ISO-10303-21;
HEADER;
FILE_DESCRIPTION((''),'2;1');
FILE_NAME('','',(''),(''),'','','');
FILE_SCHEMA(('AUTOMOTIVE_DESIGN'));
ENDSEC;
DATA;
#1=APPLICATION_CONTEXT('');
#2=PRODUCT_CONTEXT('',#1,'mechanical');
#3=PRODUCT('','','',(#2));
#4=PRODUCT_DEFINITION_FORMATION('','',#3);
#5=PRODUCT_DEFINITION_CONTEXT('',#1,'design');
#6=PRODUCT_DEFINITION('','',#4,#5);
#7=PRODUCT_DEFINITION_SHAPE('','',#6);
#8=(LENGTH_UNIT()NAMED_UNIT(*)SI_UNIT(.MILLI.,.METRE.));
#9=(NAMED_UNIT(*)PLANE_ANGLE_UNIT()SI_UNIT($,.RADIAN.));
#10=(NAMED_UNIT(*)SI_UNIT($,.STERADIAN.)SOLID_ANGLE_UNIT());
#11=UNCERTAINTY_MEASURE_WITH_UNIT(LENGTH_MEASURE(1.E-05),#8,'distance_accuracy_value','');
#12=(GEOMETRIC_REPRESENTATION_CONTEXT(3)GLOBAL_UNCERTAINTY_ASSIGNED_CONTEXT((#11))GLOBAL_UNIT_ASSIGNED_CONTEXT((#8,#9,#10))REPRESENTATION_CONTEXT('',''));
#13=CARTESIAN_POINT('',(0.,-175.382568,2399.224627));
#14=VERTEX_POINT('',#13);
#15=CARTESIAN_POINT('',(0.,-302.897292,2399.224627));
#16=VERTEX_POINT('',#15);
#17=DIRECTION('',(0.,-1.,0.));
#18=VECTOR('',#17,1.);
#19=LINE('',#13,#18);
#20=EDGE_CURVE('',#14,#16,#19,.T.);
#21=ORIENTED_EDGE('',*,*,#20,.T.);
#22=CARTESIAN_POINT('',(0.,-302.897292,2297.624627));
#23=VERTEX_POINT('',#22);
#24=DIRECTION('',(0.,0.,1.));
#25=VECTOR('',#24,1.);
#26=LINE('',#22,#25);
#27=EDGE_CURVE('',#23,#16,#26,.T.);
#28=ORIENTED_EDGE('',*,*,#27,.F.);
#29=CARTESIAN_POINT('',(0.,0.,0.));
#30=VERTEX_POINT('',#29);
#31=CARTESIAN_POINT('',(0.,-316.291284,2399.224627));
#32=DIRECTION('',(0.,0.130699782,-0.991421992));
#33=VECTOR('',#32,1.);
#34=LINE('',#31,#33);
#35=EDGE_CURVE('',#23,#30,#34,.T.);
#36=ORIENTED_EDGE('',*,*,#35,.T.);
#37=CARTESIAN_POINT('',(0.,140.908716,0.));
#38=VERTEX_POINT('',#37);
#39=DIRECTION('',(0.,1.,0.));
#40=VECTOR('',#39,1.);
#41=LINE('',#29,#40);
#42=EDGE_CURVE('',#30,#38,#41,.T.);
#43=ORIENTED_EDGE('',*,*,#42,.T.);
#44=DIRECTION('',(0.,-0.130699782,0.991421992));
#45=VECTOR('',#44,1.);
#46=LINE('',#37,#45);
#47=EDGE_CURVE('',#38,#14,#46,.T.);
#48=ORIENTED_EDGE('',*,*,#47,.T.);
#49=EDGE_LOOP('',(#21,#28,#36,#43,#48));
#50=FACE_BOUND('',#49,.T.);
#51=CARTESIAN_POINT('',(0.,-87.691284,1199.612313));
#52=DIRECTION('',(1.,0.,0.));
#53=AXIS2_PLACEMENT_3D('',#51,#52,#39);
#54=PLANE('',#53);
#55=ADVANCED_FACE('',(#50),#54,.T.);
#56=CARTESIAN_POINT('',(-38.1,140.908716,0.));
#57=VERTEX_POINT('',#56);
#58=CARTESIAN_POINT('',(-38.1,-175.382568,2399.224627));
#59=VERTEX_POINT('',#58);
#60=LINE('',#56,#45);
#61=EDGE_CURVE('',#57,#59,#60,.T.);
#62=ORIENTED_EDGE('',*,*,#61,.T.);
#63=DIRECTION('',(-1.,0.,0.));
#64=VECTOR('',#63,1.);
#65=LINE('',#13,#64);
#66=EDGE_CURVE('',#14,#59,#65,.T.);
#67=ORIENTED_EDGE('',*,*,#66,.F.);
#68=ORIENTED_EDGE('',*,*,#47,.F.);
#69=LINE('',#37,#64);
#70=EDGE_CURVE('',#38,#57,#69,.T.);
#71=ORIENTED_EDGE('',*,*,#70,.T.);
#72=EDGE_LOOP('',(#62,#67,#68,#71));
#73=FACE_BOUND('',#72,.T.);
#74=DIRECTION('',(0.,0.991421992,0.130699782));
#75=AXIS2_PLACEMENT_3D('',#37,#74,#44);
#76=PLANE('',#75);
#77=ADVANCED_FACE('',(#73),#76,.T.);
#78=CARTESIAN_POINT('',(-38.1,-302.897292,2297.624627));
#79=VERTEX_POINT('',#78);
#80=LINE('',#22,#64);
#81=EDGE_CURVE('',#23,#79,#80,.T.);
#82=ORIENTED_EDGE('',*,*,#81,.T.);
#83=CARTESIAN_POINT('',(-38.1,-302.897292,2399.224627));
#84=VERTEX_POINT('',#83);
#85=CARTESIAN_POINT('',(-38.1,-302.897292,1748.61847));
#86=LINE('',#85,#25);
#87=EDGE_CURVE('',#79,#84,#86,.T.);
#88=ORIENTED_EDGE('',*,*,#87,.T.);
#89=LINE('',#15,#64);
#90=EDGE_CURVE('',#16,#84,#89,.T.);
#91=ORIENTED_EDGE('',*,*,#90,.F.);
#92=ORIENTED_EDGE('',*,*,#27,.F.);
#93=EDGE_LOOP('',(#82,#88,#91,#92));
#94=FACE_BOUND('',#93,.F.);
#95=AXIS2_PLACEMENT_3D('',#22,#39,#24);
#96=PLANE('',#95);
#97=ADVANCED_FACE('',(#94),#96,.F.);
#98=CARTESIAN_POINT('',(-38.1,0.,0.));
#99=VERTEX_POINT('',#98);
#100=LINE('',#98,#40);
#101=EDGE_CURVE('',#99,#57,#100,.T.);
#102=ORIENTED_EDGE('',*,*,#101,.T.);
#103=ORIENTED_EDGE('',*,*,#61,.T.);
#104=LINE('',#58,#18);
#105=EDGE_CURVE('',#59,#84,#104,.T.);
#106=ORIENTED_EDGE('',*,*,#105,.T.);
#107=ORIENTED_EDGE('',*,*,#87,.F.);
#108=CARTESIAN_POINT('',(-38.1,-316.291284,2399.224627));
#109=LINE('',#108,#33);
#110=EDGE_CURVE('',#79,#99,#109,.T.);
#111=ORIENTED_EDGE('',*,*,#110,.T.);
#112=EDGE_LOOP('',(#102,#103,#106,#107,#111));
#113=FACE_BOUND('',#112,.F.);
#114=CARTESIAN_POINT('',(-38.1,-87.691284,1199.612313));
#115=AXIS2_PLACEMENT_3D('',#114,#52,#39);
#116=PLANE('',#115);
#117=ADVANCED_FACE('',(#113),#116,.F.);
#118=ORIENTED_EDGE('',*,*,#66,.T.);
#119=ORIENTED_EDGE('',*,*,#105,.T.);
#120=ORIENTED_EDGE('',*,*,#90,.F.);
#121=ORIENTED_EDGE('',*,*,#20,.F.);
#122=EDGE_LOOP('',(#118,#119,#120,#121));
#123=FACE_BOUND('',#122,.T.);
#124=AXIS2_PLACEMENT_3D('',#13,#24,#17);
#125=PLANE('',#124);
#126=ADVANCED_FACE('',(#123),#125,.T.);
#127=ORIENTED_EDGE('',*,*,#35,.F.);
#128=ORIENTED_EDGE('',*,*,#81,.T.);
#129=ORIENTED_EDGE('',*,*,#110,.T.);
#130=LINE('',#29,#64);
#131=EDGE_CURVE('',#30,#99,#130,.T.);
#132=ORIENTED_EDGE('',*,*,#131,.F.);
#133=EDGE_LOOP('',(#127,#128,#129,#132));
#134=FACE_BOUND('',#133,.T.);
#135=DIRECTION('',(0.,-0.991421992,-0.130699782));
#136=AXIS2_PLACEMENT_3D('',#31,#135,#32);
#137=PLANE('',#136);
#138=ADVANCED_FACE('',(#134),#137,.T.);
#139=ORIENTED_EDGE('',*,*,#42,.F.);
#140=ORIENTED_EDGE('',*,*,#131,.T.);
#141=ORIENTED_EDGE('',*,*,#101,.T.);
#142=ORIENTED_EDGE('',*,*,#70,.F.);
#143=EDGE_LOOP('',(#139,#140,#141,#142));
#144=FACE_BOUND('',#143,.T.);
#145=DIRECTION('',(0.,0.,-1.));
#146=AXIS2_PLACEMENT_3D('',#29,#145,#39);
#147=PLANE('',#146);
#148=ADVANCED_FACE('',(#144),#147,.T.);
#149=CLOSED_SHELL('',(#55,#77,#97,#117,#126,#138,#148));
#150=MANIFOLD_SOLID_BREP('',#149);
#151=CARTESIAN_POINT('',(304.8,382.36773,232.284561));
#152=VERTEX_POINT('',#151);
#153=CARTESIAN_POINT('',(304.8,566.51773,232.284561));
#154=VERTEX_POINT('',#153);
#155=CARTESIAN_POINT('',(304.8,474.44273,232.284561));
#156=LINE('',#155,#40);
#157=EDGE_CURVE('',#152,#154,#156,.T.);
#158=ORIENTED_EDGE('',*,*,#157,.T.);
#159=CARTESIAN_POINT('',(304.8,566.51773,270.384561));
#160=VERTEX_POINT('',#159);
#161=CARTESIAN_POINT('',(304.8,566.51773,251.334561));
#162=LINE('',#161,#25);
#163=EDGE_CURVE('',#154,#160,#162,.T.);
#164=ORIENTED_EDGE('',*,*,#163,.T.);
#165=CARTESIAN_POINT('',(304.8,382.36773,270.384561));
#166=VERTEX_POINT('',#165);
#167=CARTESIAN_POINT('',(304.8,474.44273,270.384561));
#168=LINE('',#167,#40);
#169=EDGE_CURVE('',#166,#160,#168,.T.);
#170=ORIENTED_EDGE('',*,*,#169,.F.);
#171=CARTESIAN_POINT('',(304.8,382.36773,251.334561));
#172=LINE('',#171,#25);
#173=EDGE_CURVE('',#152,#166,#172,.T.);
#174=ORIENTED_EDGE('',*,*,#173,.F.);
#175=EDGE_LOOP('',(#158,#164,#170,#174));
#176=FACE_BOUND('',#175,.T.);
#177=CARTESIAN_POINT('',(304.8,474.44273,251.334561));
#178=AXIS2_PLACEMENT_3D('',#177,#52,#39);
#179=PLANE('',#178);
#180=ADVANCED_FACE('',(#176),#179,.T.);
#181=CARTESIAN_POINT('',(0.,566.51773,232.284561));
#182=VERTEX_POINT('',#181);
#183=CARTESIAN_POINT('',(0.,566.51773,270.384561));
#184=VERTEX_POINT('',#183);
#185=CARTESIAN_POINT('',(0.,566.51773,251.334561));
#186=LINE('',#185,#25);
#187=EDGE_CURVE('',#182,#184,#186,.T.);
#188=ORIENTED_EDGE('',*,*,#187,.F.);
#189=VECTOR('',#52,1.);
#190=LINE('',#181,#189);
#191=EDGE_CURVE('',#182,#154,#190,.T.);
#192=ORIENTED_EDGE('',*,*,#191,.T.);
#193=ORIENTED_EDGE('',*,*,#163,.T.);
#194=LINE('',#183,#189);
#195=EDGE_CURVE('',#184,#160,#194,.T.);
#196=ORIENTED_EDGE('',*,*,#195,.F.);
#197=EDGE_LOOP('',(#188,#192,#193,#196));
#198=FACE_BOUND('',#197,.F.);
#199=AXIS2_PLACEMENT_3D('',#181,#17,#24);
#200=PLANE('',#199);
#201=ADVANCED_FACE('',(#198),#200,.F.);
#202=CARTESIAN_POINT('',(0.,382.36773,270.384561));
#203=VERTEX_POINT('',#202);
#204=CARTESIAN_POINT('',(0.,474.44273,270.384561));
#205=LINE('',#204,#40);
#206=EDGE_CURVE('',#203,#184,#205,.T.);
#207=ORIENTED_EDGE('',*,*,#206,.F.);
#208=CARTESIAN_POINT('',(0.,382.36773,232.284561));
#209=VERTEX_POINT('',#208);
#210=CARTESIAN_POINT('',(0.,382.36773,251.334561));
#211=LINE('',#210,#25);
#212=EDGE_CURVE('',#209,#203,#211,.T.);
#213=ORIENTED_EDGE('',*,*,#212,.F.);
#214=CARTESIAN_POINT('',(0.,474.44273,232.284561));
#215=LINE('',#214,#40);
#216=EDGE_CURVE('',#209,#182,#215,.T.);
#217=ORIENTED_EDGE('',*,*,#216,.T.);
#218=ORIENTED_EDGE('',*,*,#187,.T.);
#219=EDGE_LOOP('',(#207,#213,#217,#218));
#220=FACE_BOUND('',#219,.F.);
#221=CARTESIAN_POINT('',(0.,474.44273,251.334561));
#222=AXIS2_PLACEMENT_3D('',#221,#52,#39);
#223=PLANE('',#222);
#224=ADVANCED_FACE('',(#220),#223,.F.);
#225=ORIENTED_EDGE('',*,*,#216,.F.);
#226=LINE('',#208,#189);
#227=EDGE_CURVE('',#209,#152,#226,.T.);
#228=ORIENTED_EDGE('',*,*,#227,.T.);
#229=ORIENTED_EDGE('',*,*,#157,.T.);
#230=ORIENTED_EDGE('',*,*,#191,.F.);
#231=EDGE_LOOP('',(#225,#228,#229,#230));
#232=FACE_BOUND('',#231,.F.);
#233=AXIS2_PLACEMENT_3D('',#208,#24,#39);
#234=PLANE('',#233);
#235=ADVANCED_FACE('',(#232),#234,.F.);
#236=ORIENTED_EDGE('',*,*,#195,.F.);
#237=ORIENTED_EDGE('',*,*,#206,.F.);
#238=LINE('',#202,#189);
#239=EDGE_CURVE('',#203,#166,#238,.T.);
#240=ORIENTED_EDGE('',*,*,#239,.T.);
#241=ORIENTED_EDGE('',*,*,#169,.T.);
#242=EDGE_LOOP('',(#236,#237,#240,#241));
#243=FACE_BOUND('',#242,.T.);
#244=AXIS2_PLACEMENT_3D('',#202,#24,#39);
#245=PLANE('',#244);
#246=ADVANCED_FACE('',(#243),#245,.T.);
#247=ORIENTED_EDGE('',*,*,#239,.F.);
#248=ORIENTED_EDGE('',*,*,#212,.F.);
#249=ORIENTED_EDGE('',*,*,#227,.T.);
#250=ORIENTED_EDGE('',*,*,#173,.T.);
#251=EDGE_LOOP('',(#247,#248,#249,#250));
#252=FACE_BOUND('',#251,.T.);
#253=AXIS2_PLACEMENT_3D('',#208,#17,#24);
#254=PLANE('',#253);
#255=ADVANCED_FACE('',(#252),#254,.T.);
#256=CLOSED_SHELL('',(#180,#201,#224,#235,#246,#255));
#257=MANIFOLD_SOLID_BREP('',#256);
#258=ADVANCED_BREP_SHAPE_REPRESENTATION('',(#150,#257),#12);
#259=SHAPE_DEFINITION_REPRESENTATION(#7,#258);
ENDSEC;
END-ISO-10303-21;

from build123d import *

# Parameters (mm, degrees)
F2_DEPTH = 38.1
F3_W     = 184.15
F3_H     = 38.1
F4_DEPTH = 304.8
F8_DEPTH = 38.101


with BuildPart() as f2:
    # F1 (on Right) → F2 (new body)
    with BuildSketch(Plane.YZ):
        Polygon((-175.3825679335, 2399.2246268326), (-316.2912839668, 2399.2246268326), (0, 0), (140.9087160332, 0), align=None)
    extrude(amount=-F2_DEPTH)

    # F7 (on face) → F8 (cut, through all)
    with BuildSketch(Plane.YZ):
        Polygon((-302.8972923865, 2399.2246268326), (-316.2912839668, 2399.2246268326), (-302.8972923865, 2297.6246268326), align=None)
    extrude(amount=-F8_DEPTH, mode=Mode.SUBTRACT)


with BuildPart() as f4:
    # F3 (on Right) → F4 (new body)
    with BuildSketch(Plane.YZ):
        with Locations((474.4427301407, 251.3345607996)):
            Rectangle(F3_W, F3_H)
    extrude(amount=F4_DEPTH)


solid = Compound([f2.part, f4.part])
